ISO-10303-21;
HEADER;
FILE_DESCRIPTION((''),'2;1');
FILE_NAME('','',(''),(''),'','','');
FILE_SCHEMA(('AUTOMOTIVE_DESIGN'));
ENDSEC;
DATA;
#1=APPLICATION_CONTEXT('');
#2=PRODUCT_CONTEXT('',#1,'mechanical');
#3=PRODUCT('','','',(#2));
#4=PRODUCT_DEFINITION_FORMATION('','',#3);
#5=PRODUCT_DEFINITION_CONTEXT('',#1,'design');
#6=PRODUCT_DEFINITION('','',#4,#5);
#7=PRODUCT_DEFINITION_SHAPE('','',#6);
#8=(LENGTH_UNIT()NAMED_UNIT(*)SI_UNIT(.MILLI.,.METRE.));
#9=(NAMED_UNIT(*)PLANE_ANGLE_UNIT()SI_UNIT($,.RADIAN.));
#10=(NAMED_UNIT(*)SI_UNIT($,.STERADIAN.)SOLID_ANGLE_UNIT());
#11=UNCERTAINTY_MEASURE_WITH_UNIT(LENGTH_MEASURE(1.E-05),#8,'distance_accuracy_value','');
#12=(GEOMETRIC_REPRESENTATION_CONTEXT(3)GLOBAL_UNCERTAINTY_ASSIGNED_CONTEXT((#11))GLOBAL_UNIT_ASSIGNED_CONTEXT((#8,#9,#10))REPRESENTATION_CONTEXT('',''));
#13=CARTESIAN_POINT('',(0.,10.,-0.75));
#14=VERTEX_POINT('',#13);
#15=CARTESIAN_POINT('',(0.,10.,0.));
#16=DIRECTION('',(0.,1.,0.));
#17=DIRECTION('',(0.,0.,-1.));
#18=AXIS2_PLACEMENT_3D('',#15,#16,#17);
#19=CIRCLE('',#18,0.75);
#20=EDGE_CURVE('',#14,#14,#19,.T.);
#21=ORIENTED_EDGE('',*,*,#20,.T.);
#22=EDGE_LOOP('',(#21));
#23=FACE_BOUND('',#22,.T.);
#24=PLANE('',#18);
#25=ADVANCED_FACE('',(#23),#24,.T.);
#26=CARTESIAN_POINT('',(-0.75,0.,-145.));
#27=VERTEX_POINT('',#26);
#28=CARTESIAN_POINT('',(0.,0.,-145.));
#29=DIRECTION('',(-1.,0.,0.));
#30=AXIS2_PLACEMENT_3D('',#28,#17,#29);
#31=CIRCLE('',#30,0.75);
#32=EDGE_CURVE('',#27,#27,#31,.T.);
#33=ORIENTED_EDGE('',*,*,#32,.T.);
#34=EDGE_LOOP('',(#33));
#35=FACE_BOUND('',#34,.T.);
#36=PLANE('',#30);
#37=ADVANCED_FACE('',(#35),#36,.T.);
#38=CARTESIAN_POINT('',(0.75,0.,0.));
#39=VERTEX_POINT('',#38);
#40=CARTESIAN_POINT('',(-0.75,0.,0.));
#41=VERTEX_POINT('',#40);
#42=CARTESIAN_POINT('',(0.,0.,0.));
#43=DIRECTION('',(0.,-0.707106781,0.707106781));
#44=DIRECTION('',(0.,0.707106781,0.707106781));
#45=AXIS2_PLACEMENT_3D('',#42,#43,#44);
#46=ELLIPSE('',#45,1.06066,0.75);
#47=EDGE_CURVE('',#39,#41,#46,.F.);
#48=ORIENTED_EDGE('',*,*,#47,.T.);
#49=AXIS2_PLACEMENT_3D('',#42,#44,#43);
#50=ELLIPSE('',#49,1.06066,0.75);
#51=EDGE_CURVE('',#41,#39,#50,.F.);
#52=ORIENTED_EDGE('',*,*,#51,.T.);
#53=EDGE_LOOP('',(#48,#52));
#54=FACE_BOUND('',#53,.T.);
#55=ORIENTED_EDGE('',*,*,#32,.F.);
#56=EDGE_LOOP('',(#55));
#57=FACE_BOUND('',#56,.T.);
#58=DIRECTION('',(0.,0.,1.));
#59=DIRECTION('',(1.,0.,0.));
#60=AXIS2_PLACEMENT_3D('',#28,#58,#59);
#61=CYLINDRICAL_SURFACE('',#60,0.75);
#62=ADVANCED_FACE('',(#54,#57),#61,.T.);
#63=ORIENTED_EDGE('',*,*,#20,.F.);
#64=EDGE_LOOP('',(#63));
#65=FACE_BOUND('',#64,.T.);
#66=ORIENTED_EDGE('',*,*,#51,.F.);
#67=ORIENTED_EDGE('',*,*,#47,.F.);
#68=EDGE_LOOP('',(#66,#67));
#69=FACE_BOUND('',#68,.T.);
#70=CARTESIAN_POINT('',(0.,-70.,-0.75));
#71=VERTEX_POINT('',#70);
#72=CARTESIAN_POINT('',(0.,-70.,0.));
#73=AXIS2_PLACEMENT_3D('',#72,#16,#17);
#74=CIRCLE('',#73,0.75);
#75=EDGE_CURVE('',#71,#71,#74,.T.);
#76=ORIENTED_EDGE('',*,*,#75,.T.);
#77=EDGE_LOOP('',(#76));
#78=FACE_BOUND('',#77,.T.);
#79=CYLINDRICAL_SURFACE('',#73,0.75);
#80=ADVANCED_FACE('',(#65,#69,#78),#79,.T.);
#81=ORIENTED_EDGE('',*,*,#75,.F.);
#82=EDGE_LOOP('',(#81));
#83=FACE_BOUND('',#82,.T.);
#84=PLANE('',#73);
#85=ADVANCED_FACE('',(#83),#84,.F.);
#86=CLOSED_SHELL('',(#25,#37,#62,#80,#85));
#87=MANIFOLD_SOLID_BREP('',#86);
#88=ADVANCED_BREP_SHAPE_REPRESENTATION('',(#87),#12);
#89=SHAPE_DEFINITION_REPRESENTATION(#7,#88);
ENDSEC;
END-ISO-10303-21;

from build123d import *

# Parameters (mm, degrees)
SKETCH_1_R           = 0.75
EXTRUDE_1_DEPTH      = 145
EXTRUDE_2_DEPTH      = 10
EXTRUDE_2_DEPTH_BACK = 70
SKETCH_2_R           = 0.75
MOVE_BODY_1_ANGLE    = 180


with BuildPart() as part:
    # 草图1 → 凸台-拉伸1 (new body)
    with BuildSketch(Plane.XY):
        Circle(SKETCH_1_R)
    extrude(amount=EXTRUDE_1_DEPTH)

    # 草图2 → 凸台-拉伸2 (add, two sides: drawn at the far end of the back side and taken through both)
    with BuildSketch(Plane(origin=(0, 0, 0), x_dir=(1, 0, 0), z_dir=(0, 1, 0)).offset(-EXTRUDE_2_DEPTH_BACK)):
        with Locations(Location((0, 0, 0), (0, 0, 270))):
            Circle(SKETCH_2_R)
    extrude(amount=EXTRUDE_2_DEPTH + EXTRUDE_2_DEPTH_BACK)


with BuildPart() as part_1:
    # Move Body 1: moved
    add(part.part.rotate(Axis((0, 0, 0), (0, 1, 0)), MOVE_BODY_1_ANGLE))


solid = part_1.part
